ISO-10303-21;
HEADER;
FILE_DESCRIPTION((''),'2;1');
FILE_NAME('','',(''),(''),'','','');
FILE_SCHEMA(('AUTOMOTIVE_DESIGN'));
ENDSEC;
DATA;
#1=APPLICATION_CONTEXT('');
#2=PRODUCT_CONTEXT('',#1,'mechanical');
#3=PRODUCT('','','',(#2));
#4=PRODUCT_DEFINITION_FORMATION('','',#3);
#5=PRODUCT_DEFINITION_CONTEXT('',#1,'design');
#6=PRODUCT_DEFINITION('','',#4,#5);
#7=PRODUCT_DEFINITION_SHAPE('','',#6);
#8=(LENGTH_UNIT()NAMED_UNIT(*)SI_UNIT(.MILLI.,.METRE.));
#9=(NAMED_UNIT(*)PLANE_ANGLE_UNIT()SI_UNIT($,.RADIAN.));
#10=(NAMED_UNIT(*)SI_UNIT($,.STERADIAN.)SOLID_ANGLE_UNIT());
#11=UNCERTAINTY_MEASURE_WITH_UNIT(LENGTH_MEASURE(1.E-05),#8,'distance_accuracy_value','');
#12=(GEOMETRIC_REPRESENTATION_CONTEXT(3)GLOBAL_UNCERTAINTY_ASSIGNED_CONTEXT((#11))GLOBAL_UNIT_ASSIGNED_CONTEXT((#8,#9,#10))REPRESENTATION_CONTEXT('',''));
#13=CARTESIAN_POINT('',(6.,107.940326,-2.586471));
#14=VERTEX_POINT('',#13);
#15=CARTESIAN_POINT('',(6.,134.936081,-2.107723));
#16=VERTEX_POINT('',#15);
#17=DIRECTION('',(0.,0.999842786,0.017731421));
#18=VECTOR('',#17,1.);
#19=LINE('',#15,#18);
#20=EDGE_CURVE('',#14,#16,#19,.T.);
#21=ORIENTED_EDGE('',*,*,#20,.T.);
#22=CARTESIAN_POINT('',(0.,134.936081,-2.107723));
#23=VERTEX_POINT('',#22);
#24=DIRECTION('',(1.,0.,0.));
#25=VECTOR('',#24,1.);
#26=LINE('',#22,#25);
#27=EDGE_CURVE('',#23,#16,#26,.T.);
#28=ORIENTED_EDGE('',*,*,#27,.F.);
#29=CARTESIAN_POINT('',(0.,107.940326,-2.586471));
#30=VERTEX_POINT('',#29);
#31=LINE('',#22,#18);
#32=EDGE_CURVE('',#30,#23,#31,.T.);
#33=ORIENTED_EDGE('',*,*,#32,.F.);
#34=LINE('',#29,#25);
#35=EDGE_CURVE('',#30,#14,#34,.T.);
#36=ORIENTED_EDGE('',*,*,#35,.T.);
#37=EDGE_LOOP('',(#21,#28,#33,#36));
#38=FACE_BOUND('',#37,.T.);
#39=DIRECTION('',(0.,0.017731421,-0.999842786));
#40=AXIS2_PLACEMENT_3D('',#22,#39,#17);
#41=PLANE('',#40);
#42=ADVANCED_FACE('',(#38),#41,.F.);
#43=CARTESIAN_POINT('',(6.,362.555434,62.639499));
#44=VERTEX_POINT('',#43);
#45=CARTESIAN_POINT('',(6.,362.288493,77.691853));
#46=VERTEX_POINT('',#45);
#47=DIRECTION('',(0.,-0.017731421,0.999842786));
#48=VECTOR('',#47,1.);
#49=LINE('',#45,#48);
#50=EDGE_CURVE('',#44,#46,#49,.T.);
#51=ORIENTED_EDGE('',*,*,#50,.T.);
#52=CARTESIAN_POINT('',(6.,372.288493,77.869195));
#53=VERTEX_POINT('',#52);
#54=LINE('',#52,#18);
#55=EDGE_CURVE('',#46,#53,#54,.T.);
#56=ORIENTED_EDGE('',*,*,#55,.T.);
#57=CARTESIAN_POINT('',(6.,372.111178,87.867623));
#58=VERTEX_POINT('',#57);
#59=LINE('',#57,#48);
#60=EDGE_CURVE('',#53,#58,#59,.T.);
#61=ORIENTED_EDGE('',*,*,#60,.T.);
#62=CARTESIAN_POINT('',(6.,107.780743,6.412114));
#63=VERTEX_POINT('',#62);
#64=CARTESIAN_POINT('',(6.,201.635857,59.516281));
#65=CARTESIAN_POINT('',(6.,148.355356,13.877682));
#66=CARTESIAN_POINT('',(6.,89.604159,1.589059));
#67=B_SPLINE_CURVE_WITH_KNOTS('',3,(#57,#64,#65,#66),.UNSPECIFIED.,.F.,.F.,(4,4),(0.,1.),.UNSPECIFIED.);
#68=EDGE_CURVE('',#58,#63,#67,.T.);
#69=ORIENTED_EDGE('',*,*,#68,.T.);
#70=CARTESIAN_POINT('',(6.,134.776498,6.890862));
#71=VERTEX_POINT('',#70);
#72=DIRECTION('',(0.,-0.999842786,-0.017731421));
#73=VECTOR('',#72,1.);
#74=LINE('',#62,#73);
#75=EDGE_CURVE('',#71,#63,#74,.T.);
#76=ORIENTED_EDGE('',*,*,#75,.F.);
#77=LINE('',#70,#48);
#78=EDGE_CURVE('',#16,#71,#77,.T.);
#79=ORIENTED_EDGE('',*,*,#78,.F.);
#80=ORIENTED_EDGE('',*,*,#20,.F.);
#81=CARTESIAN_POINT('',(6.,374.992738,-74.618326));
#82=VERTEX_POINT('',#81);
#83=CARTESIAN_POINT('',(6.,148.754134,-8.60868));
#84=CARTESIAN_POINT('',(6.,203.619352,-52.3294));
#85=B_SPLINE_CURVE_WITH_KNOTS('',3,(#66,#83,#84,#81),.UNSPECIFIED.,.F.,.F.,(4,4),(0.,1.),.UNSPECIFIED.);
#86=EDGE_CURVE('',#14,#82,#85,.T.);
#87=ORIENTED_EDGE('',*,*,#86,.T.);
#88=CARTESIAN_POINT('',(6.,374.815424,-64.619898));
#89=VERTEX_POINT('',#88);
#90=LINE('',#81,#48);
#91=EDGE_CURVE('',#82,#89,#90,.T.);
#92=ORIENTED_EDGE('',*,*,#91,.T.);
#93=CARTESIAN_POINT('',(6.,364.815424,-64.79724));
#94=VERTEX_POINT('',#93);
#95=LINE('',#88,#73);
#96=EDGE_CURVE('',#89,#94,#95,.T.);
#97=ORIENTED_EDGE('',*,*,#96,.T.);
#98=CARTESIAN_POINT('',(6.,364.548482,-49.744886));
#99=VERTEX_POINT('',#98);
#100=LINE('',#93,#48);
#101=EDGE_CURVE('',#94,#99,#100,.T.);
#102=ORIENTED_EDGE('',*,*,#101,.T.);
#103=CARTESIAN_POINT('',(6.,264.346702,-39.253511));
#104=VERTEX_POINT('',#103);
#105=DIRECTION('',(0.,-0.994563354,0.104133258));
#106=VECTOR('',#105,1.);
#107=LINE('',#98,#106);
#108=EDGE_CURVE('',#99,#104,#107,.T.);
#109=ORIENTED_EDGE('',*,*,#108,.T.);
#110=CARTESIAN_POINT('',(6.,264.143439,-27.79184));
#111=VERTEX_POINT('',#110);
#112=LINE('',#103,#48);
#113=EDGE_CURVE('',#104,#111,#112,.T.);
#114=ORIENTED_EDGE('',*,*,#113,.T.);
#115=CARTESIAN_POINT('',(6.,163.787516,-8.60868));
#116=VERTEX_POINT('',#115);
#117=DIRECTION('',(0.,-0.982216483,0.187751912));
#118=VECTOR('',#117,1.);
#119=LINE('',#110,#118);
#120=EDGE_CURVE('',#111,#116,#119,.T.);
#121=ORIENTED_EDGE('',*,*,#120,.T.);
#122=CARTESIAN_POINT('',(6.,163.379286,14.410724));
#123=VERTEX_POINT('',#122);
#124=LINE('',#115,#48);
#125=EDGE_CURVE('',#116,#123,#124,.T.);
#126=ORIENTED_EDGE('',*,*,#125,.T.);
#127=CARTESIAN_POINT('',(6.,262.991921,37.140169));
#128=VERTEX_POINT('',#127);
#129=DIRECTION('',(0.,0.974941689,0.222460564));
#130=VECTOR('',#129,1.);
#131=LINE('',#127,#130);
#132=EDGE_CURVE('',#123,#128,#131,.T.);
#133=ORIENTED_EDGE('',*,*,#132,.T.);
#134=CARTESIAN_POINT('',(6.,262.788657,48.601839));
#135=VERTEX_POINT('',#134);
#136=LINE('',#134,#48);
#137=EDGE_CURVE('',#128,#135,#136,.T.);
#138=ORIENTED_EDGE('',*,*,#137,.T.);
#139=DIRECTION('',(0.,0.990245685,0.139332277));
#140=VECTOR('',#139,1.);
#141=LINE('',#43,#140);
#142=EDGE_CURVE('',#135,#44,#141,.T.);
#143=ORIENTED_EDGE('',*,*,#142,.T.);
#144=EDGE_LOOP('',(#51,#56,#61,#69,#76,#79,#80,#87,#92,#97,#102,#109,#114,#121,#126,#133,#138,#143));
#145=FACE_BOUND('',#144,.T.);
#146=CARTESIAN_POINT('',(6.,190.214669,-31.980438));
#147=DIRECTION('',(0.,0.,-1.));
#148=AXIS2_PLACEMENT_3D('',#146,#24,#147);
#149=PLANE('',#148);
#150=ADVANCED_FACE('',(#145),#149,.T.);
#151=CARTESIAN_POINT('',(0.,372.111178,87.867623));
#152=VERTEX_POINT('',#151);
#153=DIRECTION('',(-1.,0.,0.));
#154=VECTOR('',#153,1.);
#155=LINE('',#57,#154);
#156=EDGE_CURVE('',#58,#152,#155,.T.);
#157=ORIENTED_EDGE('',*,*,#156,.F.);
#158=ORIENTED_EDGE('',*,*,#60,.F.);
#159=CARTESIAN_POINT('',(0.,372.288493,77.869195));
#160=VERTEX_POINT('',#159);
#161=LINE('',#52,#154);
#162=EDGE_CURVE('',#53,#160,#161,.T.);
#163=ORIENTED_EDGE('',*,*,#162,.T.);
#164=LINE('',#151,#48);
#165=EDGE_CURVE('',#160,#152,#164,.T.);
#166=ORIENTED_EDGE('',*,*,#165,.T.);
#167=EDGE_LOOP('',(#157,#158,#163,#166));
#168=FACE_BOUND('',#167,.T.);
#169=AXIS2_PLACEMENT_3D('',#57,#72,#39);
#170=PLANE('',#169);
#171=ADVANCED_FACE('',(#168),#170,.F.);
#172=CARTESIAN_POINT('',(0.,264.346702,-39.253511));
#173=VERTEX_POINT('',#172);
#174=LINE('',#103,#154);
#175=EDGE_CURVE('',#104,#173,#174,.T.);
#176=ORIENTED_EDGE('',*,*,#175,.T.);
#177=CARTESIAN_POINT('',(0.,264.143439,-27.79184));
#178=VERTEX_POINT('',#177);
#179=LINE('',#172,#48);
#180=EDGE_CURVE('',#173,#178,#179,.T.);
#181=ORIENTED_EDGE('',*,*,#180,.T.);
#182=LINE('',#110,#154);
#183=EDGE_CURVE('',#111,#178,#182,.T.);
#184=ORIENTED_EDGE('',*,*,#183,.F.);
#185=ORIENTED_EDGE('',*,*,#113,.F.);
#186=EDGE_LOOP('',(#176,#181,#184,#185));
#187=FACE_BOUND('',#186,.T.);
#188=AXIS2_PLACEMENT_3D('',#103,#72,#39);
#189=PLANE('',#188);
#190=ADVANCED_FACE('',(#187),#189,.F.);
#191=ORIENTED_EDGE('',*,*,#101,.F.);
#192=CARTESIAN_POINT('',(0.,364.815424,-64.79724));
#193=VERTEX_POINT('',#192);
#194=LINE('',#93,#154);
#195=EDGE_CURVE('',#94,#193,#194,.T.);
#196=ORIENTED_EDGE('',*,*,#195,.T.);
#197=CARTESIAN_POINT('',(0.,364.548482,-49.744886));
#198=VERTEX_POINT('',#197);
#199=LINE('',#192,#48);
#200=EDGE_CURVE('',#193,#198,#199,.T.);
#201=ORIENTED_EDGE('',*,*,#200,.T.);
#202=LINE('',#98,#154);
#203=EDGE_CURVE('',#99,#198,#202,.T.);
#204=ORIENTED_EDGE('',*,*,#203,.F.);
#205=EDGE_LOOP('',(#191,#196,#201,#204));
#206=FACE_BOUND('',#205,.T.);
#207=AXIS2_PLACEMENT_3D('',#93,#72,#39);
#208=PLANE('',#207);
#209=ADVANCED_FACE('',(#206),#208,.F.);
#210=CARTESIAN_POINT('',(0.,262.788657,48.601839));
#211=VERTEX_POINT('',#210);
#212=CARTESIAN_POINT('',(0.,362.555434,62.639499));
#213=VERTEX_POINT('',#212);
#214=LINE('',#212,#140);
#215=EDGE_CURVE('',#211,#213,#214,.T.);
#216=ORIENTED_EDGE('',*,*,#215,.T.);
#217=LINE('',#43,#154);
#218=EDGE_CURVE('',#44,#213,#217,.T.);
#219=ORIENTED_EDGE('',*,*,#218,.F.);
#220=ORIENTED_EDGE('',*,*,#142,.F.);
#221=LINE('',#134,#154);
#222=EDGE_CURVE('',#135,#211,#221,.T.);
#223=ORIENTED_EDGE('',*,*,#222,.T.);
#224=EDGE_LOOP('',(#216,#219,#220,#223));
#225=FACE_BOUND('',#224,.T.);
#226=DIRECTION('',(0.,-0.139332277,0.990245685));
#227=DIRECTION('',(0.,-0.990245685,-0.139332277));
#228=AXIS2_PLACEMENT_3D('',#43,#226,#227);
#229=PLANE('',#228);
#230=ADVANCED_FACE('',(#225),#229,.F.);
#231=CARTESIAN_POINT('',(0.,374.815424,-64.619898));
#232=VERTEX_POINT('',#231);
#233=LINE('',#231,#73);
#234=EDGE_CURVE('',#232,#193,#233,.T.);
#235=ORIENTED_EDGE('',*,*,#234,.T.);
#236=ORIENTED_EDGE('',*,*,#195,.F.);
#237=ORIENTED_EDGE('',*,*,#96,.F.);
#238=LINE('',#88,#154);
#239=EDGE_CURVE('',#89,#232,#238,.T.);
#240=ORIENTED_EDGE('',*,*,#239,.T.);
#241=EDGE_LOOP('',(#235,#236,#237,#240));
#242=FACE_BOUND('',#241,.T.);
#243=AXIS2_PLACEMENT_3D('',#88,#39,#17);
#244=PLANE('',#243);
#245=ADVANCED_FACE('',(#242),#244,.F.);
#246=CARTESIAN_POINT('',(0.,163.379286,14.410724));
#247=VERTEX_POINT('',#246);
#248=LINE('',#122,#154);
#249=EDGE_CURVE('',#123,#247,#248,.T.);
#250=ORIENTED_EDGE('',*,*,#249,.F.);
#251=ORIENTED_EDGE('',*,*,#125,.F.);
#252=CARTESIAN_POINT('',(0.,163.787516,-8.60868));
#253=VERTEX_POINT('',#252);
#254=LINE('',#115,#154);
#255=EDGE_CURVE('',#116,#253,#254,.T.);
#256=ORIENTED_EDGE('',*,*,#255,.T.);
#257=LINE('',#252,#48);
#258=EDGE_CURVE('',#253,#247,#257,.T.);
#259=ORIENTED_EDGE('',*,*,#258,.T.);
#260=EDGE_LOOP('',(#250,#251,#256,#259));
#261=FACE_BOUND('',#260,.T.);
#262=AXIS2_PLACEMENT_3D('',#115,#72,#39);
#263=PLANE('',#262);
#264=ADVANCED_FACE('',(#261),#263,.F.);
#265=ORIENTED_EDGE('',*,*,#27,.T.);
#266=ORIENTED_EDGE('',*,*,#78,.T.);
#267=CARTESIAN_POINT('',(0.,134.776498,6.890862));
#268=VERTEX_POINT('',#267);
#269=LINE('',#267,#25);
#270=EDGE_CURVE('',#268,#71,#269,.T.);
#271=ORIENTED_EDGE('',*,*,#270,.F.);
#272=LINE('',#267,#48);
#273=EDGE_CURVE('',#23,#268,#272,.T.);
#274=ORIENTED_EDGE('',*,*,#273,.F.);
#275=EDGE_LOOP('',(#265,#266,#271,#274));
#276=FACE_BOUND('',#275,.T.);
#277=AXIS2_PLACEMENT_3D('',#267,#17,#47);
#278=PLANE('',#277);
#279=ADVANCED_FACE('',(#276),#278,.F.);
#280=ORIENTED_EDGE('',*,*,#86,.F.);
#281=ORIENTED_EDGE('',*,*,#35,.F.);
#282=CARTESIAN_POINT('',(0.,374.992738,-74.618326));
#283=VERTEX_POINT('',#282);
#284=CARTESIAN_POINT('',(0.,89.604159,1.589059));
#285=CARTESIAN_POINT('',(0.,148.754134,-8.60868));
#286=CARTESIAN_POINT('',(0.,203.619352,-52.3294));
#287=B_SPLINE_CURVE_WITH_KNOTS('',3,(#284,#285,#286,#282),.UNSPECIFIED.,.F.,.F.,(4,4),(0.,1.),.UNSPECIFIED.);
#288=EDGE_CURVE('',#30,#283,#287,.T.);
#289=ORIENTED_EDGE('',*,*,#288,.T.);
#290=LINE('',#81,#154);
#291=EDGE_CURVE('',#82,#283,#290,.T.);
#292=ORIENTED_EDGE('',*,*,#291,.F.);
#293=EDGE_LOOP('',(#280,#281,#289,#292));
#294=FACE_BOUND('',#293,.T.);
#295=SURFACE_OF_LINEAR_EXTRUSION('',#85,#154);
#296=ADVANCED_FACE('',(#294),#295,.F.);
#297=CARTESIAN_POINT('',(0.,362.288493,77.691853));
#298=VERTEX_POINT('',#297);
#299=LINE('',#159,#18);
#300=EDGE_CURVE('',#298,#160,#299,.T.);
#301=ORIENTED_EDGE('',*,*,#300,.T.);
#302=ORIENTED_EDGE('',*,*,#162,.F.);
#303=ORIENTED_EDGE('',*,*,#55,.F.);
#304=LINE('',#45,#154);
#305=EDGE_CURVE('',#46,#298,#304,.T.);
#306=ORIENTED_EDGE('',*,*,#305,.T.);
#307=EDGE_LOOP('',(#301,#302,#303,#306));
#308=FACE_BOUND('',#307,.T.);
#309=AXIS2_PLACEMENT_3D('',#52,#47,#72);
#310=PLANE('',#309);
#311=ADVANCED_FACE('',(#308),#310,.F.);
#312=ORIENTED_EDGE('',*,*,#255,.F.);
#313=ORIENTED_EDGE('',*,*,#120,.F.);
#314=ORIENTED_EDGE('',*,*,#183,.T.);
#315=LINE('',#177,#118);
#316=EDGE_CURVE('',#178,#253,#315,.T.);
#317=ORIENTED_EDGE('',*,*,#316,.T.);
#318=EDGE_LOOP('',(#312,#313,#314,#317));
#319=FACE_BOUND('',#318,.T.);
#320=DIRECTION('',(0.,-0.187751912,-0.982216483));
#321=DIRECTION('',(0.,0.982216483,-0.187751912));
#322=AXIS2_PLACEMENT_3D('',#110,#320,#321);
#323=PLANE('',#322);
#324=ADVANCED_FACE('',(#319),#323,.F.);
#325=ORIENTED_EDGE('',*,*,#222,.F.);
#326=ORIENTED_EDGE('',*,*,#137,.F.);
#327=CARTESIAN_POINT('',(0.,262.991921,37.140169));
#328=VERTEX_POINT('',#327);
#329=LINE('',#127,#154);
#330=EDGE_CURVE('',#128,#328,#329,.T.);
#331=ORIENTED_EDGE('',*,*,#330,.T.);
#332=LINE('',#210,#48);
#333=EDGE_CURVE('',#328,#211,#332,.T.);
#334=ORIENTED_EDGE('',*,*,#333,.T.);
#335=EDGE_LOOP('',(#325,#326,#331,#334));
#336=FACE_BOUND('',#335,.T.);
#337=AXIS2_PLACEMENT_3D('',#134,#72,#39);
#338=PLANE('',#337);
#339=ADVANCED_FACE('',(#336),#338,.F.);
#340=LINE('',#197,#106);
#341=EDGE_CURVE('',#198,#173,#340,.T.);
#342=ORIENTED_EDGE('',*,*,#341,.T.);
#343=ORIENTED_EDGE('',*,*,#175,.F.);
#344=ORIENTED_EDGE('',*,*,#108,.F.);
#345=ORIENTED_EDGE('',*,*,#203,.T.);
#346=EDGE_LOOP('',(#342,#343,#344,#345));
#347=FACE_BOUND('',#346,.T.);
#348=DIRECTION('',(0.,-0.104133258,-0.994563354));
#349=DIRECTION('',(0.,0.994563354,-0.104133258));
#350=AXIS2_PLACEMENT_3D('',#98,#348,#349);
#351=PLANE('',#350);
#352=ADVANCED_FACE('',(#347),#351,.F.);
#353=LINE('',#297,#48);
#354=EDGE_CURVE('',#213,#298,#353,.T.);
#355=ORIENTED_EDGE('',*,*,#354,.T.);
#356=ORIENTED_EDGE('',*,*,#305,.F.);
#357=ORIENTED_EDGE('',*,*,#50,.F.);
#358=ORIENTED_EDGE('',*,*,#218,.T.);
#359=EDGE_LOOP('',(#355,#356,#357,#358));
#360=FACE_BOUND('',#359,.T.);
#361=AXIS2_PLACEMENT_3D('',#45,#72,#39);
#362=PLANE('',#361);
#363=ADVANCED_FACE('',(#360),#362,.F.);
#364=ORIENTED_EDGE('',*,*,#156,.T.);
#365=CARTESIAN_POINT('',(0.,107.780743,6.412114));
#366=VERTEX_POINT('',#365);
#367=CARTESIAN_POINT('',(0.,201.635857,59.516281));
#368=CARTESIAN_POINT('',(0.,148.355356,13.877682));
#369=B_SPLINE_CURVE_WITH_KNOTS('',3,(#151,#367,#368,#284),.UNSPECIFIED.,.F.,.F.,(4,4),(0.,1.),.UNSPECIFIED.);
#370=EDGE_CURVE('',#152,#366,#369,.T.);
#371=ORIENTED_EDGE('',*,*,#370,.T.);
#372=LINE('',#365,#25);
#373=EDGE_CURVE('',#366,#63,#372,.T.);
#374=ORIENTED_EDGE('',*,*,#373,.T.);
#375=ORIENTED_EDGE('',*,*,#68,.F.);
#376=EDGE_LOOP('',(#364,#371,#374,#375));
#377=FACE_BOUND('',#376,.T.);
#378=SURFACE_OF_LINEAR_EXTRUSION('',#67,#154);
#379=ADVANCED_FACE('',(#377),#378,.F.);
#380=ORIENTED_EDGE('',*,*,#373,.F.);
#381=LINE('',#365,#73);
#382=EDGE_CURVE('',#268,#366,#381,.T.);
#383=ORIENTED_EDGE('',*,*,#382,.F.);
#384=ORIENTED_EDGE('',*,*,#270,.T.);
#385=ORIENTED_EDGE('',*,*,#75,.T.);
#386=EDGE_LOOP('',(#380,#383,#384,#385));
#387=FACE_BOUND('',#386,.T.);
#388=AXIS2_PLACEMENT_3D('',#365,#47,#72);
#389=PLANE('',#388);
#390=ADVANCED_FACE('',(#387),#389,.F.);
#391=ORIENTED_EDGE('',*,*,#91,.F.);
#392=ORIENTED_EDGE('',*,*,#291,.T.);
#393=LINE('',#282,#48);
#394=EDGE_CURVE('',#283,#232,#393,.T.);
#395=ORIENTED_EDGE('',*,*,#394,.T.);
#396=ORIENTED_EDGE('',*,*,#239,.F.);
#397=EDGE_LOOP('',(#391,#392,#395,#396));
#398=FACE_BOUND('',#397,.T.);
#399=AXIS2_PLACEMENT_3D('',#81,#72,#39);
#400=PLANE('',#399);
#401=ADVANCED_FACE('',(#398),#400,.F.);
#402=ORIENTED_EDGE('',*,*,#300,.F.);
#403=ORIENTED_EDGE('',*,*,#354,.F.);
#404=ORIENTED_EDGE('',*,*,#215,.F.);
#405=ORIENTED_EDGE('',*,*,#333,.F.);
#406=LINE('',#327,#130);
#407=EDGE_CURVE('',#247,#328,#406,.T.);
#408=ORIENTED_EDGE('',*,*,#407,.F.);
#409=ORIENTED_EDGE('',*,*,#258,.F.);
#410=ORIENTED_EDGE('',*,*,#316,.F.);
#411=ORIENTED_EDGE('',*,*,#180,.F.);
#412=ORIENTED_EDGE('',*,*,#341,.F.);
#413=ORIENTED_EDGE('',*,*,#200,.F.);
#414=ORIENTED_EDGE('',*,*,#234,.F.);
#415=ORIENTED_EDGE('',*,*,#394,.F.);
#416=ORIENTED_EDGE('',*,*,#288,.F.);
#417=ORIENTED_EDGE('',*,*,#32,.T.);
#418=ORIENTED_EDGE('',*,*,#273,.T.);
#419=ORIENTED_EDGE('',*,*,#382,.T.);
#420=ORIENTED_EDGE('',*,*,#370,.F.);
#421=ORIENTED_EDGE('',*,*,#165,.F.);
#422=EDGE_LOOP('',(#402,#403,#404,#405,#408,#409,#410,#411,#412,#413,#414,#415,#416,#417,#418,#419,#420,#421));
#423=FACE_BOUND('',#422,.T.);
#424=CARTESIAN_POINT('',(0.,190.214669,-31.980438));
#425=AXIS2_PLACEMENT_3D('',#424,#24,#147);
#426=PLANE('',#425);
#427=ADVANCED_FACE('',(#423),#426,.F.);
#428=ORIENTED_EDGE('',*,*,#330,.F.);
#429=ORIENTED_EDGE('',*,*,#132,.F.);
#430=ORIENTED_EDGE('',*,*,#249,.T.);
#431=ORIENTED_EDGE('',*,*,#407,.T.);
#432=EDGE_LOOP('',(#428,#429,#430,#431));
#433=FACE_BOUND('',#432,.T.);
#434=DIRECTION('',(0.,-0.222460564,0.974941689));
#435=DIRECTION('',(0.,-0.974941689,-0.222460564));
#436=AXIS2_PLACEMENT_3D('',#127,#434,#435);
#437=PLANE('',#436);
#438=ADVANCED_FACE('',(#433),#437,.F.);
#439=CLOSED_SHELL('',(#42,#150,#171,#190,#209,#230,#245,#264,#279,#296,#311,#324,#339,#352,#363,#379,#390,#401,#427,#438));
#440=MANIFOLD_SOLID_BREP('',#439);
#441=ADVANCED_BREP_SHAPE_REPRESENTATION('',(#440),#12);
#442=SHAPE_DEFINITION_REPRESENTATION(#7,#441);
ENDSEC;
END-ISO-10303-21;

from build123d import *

# Parameters (mm, degrees)
BOSS_EXTRU_3_DEPTH      = 6
ENL_V_MAT_EXTRU_1_DEPTH = 6


with BuildPart() as part:
    # Esquisse2 → Boss.-Extru.3 (new body)
    with BuildSketch(Plane(origin=(0, 0, 0), x_dir=(0, 0, -1), z_dir=(1, 0, 0))):
        with BuildLine():
            Line((74.618325874, 374.992738115), (64.619898014, 374.815423904))
            Line((64.619898014, 374.815423904), (64.797240105, 364.815423904))
            Line((64.797240105, 364.815423904), (49.744886259, 364.548482314))
            Line((49.744886259, 364.548482314), (39.25351054, 264.34670219))
            Line((39.25351054, 264.34670219), (27.791840205, 264.143438531))
            Line((27.791840205, 264.143438531), (8.608679942, 163.787516483))
            Line((8.608679942, 163.787516483), (-14.410724428, 163.379285552))
            Line((-14.410724428, 163.379285552), (-37.140168903, 262.991920703))
            Line((-37.140168903, 262.991920703), (-48.601839238, 262.788657044))
            Line((-48.601839238, 262.788657044), (-62.63949917, 362.55543412))
            Line((-62.63949917, 362.55543412), (-77.691853016, 362.288492529))
            Line((-77.691853016, 362.288492529), (-77.869195107, 372.288492529))
            Line((-77.869195107, 372.288492529), (-87.867622967, 372.111178318))
            add(Edge.make_bspline(
                [(-87.867622967, 372.111178318), (-59.516280682, 201.635856835), (-13.877681777, 148.355356273), (-1.589058887, 89.604158615)],
                knots=[0, 0, 0, 0, 1, 1, 1, 1], degree=3))
            add(Edge.make_bspline(
                [(74.618325874, 374.992738115), (52.329400068, 203.619351527), (8.608679942, 148.754134114), (-1.589058887, 89.604158615)],
                knots=[0, 0, 0, 0, 1, 1, 1, 1], degree=3))
        make_face()
    extrude(amount=BOSS_EXTRU_3_DEPTH)

    # Esquisse3 → Enlèv. mat.-Extru.1 (cut)
    with BuildSketch(Plane(origin=(6, 0, 0), x_dir=(0, 0, -1), z_dir=(1, 0, 0))):
        Polygon((-6.412113806, 107.780742732), (-6.890862174, 134.776497954), (2.1077229, 134.936080743), (2.586471268, 107.940325521), (34.327571805, 86.65842575), (-33.704659322, 86.65842575), align=None)
    extrude(amount=-ENL_V_MAT_EXTRU_1_DEPTH, mode=Mode.SUBTRACT)


solid = part.part
